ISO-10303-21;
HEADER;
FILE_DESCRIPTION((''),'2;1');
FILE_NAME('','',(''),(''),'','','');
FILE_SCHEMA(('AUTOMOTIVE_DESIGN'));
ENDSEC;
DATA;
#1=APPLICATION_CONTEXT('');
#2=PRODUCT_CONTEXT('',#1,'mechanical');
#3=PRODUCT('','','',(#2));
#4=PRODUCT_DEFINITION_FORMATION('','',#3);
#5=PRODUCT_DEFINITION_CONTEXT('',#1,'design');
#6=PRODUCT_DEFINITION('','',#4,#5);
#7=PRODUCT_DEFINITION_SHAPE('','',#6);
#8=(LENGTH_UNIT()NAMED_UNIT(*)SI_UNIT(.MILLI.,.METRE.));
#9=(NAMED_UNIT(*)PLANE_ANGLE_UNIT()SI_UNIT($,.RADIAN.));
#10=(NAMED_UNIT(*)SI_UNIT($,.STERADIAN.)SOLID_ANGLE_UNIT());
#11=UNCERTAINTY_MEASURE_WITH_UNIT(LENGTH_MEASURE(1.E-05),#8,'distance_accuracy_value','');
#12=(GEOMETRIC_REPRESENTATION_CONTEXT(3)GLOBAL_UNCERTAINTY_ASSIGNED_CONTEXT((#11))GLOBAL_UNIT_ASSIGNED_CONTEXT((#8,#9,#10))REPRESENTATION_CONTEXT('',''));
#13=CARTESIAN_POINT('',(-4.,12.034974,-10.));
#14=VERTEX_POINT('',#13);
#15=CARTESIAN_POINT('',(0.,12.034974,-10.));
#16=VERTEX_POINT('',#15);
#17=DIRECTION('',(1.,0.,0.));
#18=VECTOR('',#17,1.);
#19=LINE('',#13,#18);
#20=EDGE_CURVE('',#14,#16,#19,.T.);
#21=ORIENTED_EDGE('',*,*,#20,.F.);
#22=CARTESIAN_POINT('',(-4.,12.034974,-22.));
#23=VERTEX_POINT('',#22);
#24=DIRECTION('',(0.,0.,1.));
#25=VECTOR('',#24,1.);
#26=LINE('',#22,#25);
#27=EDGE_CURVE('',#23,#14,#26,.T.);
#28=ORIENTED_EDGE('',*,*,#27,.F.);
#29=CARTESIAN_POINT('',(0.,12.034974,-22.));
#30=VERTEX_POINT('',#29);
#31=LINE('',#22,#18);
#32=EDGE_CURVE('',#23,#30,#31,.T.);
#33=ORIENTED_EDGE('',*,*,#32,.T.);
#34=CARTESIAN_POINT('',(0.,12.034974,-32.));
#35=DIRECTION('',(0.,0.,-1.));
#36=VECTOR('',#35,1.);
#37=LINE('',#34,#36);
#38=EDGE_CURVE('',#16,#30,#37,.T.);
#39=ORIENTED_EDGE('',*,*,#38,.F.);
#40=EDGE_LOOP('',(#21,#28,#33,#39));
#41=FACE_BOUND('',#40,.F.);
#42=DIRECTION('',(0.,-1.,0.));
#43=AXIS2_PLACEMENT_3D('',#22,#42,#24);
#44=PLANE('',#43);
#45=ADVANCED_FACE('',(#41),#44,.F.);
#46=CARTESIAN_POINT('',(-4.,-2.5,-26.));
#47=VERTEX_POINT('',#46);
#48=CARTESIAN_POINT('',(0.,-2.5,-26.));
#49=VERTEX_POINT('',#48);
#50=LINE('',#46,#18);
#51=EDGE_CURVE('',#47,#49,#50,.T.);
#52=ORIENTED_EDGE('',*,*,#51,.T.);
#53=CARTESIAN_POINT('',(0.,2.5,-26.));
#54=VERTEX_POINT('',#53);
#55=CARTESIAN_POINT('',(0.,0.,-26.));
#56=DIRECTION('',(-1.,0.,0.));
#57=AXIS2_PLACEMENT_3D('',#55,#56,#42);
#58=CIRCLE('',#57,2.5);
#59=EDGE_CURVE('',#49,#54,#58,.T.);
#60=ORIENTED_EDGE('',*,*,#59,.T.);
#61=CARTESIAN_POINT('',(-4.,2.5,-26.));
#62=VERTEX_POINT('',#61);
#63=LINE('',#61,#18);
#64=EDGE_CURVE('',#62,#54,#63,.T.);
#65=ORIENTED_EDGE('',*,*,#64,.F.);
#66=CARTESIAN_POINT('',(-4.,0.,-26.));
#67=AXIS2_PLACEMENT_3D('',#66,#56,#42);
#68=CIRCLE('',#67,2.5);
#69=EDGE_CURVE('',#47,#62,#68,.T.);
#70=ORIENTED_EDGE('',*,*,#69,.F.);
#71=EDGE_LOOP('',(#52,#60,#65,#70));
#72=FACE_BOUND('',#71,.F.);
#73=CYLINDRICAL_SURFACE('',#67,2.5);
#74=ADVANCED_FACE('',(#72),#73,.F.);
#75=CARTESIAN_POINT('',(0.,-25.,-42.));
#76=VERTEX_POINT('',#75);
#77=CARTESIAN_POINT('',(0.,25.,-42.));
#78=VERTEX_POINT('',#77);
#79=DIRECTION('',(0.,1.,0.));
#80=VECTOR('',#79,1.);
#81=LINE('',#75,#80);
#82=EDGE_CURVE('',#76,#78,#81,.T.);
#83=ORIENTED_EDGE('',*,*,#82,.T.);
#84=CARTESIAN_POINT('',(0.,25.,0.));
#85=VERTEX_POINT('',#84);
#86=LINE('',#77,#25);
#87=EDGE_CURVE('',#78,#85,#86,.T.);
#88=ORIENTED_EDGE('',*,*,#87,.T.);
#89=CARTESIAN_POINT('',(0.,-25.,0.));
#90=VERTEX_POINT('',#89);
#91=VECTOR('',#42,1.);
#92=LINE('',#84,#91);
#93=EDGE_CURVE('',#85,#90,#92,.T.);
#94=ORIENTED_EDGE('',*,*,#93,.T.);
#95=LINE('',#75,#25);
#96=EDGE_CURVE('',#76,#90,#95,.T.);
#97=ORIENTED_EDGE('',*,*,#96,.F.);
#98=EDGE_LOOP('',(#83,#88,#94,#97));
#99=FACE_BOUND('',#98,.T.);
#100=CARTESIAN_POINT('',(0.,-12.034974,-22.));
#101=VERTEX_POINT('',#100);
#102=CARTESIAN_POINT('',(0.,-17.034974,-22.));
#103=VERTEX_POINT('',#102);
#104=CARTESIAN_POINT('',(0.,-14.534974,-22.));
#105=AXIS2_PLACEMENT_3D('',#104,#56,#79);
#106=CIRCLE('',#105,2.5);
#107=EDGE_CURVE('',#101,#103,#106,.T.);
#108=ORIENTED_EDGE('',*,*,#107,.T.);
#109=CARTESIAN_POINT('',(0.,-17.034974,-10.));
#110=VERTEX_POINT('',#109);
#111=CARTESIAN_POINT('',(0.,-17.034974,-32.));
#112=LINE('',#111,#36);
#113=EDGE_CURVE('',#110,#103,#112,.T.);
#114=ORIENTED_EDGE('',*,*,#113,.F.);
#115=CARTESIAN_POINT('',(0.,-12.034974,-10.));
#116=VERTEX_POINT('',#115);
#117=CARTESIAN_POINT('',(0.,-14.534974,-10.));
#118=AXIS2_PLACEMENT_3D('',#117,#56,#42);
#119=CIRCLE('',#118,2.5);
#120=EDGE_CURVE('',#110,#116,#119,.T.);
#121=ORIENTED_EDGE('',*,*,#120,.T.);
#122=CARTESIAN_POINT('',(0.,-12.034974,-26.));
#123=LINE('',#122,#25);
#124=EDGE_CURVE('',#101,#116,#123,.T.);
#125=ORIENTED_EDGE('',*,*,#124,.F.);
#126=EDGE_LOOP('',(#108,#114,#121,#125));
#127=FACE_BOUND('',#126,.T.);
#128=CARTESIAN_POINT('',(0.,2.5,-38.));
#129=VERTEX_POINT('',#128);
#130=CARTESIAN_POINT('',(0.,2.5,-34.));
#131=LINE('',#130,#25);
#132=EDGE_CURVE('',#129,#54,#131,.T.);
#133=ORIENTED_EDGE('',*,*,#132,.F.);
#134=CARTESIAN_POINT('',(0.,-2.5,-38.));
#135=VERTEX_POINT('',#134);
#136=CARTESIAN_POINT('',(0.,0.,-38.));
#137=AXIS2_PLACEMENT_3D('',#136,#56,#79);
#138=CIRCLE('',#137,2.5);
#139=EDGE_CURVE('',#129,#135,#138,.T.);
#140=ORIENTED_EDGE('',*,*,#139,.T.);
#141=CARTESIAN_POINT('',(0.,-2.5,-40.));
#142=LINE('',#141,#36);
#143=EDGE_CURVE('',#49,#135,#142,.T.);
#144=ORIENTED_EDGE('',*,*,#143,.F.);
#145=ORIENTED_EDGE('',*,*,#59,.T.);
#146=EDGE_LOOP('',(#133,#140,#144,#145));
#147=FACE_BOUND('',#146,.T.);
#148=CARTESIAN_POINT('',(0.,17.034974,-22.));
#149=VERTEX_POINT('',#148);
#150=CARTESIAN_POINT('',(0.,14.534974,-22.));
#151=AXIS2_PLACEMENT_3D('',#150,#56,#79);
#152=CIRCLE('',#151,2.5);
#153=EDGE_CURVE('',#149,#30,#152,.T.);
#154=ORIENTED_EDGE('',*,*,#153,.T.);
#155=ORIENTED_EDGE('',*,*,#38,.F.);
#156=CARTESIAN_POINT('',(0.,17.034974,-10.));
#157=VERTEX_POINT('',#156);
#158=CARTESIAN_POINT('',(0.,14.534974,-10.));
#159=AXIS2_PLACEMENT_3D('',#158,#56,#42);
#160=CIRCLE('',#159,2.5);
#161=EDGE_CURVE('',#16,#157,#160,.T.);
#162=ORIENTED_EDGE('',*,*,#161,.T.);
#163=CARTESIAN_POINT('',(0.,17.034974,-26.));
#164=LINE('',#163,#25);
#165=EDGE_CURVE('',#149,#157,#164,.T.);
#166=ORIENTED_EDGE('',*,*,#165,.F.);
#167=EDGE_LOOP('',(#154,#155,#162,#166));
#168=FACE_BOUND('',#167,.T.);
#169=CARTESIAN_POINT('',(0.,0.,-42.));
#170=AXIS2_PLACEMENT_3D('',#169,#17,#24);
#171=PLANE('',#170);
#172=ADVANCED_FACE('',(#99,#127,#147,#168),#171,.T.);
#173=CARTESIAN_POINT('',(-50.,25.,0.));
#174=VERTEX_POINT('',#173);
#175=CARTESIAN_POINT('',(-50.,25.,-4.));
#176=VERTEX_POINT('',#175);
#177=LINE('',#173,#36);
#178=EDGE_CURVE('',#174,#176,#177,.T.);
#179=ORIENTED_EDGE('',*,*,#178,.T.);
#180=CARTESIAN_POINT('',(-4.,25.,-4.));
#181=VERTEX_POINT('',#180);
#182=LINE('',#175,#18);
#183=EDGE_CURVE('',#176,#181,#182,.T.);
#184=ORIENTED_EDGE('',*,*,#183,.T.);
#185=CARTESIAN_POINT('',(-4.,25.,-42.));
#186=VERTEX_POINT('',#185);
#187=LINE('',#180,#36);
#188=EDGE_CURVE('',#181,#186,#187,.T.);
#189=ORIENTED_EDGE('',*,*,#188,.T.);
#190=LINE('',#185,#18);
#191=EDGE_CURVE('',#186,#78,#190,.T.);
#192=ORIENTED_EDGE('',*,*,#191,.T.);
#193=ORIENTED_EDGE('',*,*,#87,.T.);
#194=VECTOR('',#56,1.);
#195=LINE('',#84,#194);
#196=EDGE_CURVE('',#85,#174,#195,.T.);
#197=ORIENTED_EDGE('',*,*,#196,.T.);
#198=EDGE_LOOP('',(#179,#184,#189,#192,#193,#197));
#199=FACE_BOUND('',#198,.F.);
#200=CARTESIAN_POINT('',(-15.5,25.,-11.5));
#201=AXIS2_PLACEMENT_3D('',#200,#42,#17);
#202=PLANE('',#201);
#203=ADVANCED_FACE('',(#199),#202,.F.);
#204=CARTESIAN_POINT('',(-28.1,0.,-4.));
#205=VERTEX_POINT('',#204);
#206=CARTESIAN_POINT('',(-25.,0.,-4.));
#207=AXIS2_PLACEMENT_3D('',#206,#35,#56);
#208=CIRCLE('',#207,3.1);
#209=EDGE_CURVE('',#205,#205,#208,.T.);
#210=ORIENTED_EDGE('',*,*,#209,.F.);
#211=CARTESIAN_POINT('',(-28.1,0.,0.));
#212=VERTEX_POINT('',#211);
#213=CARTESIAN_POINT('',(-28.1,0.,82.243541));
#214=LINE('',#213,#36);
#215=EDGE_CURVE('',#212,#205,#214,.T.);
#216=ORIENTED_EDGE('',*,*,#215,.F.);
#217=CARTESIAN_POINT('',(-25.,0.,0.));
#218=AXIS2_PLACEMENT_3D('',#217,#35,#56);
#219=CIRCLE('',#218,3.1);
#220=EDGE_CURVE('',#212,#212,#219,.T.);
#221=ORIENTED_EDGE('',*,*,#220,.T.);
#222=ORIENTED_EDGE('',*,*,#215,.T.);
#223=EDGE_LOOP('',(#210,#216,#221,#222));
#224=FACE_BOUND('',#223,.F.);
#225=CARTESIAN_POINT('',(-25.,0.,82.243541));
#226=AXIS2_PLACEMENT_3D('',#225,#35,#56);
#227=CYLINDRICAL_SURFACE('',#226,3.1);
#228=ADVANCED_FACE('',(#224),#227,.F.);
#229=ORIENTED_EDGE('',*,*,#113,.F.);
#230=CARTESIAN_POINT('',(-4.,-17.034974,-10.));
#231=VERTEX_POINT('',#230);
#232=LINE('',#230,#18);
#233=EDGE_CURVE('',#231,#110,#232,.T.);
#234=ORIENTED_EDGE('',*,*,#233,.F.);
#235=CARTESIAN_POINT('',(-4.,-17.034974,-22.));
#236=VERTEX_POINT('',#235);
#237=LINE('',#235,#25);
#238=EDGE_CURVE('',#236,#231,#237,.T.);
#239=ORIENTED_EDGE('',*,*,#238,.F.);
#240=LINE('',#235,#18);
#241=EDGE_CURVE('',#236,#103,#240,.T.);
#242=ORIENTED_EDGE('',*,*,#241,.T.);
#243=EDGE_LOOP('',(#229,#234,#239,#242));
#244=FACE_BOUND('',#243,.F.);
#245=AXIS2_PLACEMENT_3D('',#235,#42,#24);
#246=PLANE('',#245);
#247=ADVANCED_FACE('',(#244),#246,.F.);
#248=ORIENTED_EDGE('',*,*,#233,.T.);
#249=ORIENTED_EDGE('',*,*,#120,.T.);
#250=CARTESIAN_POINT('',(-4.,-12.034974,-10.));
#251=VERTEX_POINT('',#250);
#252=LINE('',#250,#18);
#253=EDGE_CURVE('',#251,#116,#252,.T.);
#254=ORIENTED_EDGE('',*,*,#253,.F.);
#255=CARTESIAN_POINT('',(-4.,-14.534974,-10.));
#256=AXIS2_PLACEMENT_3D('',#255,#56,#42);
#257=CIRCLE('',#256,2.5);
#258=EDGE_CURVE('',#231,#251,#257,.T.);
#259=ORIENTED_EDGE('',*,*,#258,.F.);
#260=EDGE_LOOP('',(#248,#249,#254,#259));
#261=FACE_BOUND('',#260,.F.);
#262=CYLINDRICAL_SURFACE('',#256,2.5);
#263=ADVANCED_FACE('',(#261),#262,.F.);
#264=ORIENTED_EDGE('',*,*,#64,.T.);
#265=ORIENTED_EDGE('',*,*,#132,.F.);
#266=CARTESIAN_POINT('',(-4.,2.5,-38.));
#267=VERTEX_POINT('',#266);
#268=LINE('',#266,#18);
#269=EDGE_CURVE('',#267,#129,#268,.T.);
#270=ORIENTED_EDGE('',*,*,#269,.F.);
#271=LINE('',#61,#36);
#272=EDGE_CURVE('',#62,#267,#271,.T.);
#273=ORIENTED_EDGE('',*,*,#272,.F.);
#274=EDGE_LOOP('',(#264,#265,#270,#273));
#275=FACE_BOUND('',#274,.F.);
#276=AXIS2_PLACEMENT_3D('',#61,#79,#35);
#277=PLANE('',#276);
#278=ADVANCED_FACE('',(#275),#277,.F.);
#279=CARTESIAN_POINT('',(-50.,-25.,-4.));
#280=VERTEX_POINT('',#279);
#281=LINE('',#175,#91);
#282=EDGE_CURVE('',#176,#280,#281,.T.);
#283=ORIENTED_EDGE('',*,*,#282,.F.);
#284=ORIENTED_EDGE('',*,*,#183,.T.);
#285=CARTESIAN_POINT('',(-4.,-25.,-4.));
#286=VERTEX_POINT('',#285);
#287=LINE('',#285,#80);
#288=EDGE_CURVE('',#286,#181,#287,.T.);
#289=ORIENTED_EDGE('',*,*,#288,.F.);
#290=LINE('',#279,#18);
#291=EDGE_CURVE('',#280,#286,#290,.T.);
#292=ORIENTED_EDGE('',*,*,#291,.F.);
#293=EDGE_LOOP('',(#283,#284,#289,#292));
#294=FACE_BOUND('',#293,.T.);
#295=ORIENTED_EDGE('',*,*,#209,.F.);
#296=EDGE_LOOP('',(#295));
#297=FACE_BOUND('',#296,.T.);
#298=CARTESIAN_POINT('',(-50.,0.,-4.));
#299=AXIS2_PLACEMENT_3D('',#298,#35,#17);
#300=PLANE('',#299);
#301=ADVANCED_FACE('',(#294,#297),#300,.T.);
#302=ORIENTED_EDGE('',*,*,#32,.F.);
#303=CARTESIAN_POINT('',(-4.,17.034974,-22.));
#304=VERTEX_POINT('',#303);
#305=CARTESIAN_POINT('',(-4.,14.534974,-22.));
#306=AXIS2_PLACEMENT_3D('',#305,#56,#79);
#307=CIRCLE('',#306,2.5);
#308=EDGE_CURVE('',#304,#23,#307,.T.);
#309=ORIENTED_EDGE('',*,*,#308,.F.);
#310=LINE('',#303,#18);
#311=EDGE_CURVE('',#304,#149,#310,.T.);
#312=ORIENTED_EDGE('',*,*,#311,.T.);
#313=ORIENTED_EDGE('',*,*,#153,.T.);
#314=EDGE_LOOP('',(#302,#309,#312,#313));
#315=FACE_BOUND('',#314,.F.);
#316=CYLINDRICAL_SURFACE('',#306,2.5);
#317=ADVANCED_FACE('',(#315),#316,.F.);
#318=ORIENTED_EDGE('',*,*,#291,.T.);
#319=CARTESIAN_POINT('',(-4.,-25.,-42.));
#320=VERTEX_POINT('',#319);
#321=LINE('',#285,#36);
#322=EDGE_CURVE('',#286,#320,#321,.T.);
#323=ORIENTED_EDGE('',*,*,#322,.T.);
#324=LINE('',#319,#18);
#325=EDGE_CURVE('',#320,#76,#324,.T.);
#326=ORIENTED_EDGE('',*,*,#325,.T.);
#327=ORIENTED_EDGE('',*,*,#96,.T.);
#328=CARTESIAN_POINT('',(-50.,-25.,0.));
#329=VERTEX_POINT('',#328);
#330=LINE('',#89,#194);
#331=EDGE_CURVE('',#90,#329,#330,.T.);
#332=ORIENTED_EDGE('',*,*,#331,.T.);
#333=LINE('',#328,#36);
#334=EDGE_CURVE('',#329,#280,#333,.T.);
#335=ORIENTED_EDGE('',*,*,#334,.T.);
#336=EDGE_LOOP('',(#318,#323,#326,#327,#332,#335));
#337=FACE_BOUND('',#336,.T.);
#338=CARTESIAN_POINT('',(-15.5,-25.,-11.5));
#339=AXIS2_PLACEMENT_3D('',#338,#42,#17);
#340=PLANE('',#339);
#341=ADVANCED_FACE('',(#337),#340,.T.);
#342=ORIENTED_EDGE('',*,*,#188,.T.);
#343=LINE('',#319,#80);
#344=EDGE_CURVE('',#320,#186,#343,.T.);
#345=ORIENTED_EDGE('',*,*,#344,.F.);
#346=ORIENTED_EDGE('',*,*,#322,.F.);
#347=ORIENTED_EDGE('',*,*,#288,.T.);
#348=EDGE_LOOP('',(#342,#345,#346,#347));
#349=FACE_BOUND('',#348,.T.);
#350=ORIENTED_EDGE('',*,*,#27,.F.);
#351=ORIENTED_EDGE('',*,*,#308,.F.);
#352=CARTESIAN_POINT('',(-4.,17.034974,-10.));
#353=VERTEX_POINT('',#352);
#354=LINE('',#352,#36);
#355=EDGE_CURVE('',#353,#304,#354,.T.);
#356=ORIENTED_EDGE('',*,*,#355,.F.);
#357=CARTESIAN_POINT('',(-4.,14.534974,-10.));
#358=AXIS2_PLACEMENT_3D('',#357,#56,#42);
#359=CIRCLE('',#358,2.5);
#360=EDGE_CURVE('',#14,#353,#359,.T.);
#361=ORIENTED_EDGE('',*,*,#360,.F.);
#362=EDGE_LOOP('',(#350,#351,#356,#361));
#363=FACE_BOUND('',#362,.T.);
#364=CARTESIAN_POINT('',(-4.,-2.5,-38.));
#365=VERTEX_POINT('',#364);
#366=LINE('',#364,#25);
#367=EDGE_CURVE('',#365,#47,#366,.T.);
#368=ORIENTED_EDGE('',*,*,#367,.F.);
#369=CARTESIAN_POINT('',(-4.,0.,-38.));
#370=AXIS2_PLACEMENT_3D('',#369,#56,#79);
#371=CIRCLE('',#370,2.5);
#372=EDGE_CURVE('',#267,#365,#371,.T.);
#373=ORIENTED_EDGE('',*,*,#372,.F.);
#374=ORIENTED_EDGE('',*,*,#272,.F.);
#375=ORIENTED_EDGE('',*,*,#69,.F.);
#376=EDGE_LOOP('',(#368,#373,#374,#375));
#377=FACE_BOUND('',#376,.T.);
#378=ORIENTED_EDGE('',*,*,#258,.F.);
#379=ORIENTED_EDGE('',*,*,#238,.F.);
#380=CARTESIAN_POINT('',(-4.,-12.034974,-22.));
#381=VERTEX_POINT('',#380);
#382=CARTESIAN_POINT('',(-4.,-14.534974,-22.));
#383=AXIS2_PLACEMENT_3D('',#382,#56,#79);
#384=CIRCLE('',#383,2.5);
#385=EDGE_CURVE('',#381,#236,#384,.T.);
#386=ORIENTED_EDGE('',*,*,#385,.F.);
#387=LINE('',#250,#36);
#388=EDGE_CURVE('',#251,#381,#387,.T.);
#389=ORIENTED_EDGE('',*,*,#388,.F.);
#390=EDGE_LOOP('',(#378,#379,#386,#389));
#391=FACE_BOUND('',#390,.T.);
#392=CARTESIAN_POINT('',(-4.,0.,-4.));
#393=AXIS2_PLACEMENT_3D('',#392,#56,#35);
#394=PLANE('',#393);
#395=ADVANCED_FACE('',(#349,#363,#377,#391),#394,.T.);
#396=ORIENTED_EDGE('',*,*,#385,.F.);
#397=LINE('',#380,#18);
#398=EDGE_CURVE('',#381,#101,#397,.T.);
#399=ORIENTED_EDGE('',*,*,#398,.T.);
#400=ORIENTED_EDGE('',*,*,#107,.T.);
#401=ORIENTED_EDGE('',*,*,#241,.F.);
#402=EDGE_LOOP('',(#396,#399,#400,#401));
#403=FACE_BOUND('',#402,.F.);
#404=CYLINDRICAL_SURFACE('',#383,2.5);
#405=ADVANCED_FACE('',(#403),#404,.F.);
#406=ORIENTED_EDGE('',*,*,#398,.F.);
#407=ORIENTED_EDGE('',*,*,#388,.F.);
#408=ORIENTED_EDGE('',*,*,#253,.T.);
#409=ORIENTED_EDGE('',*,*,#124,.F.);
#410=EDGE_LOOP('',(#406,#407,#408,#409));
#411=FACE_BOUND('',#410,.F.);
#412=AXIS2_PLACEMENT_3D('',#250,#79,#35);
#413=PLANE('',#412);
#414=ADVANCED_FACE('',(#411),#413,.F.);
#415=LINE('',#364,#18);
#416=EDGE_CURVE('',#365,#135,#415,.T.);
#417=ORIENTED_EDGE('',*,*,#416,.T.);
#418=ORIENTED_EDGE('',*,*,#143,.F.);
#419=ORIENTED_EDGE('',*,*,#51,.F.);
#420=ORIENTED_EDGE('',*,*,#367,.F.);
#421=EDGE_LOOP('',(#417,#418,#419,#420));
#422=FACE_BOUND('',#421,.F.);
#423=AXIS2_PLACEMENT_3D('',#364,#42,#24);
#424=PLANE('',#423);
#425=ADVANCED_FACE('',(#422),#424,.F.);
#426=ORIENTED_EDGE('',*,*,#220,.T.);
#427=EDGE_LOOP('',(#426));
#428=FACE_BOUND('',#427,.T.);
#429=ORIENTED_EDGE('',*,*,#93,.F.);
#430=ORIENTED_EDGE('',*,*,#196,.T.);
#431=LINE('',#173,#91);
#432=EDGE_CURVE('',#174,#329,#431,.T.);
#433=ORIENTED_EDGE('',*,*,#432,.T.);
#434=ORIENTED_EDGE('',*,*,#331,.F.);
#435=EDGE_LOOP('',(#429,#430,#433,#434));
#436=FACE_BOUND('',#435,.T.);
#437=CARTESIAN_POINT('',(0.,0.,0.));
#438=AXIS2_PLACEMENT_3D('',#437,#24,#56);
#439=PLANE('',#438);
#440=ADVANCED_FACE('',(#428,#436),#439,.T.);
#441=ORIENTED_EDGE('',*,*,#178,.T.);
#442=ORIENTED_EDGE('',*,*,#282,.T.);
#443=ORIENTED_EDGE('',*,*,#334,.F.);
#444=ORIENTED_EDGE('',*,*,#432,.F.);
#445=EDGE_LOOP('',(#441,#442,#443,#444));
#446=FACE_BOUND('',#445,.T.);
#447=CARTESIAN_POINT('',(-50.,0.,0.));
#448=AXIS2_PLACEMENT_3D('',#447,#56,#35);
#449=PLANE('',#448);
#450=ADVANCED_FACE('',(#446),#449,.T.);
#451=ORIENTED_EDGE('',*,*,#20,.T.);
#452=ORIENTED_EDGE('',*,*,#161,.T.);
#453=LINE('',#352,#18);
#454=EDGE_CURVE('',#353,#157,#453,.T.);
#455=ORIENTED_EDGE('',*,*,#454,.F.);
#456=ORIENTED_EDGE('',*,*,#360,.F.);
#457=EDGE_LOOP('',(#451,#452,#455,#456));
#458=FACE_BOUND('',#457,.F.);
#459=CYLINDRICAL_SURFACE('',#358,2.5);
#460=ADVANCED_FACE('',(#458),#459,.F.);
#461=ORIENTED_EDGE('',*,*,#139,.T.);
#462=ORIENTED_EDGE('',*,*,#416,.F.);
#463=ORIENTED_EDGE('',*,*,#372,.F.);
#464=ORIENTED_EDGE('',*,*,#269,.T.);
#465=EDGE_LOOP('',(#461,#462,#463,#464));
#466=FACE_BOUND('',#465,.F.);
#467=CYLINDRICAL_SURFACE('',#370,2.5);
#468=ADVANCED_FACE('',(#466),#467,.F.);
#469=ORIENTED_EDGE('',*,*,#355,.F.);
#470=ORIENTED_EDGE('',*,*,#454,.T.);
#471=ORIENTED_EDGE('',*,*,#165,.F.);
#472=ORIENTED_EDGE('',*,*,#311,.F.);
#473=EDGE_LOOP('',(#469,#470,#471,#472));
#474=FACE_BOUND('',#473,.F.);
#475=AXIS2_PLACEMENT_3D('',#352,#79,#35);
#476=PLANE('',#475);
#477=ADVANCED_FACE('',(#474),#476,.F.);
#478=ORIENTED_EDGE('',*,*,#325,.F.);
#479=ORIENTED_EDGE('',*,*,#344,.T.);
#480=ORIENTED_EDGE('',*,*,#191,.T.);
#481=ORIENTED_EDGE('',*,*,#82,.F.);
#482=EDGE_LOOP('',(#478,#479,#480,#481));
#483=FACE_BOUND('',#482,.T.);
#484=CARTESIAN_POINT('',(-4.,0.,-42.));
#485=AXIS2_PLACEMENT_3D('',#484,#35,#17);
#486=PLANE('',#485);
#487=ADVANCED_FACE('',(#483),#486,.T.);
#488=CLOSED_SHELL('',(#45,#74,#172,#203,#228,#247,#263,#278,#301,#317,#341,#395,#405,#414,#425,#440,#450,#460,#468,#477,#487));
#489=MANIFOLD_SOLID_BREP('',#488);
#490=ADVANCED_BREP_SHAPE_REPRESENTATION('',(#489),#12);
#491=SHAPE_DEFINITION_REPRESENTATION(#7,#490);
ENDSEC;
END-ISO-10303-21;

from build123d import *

# Parameters (mm, degrees)
F1_DEPTH = 25
F3_D     = 6.2
F5_DEPTH = 4.001


with BuildPart() as f1:
    # F0 (on Front) → F1 (new body, symmetric)
    with BuildSketch(Plane.XZ):
        Polygon((0, -42), (0, 0), (-50, 0), (-50, -4), (-4, -4), (-4, -42), align=None)
    extrude(amount=F1_DEPTH, both=True)

    # F3 (through all)
    with Locations(Plane.XY):
        with Locations((-25, 0)):
            Hole(F3_D / 2)

    # F4 (on face) → F5 (cut, through all)
    with BuildSketch(Plane(origin=(-4, 0, 0), x_dir=(0, -1, 0), z_dir=(-1, 0, 0))):
        with BuildLine():
            ThreePointArc((-17.034974, -22), (-14.534974, -24.5), (-12.034974, -22))
            Line((-12.034974, -22), (-12.034974, -10))
            ThreePointArc((-12.034974, -10), (-14.534974, -7.5), (-17.034974, -10))
            Line((-17.034974, -10), (-17.034974, -22))
        make_face()
        with BuildLine():
            ThreePointArc((-2.5, -38), (0, -40.5), (2.5, -38))
            Line((2.5, -38), (2.5, -26))
            ThreePointArc((2.5, -26), (0, -23.5), (-2.5, -26))
            Line((-2.5, -26), (-2.5, -38))
        make_face()
        with BuildLine():
            ThreePointArc((12.034974, -22), (14.534974, -24.5), (17.034974, -22))
            Line((17.034974, -22), (17.034974, -10))
            ThreePointArc((17.034974, -10), (14.534974, -7.5), (12.034974, -10))
            Line((12.034974, -10), (12.034974, -22))
        make_face()
    extrude(amount=-F5_DEPTH, mode=Mode.SUBTRACT)


solid = f1.part
